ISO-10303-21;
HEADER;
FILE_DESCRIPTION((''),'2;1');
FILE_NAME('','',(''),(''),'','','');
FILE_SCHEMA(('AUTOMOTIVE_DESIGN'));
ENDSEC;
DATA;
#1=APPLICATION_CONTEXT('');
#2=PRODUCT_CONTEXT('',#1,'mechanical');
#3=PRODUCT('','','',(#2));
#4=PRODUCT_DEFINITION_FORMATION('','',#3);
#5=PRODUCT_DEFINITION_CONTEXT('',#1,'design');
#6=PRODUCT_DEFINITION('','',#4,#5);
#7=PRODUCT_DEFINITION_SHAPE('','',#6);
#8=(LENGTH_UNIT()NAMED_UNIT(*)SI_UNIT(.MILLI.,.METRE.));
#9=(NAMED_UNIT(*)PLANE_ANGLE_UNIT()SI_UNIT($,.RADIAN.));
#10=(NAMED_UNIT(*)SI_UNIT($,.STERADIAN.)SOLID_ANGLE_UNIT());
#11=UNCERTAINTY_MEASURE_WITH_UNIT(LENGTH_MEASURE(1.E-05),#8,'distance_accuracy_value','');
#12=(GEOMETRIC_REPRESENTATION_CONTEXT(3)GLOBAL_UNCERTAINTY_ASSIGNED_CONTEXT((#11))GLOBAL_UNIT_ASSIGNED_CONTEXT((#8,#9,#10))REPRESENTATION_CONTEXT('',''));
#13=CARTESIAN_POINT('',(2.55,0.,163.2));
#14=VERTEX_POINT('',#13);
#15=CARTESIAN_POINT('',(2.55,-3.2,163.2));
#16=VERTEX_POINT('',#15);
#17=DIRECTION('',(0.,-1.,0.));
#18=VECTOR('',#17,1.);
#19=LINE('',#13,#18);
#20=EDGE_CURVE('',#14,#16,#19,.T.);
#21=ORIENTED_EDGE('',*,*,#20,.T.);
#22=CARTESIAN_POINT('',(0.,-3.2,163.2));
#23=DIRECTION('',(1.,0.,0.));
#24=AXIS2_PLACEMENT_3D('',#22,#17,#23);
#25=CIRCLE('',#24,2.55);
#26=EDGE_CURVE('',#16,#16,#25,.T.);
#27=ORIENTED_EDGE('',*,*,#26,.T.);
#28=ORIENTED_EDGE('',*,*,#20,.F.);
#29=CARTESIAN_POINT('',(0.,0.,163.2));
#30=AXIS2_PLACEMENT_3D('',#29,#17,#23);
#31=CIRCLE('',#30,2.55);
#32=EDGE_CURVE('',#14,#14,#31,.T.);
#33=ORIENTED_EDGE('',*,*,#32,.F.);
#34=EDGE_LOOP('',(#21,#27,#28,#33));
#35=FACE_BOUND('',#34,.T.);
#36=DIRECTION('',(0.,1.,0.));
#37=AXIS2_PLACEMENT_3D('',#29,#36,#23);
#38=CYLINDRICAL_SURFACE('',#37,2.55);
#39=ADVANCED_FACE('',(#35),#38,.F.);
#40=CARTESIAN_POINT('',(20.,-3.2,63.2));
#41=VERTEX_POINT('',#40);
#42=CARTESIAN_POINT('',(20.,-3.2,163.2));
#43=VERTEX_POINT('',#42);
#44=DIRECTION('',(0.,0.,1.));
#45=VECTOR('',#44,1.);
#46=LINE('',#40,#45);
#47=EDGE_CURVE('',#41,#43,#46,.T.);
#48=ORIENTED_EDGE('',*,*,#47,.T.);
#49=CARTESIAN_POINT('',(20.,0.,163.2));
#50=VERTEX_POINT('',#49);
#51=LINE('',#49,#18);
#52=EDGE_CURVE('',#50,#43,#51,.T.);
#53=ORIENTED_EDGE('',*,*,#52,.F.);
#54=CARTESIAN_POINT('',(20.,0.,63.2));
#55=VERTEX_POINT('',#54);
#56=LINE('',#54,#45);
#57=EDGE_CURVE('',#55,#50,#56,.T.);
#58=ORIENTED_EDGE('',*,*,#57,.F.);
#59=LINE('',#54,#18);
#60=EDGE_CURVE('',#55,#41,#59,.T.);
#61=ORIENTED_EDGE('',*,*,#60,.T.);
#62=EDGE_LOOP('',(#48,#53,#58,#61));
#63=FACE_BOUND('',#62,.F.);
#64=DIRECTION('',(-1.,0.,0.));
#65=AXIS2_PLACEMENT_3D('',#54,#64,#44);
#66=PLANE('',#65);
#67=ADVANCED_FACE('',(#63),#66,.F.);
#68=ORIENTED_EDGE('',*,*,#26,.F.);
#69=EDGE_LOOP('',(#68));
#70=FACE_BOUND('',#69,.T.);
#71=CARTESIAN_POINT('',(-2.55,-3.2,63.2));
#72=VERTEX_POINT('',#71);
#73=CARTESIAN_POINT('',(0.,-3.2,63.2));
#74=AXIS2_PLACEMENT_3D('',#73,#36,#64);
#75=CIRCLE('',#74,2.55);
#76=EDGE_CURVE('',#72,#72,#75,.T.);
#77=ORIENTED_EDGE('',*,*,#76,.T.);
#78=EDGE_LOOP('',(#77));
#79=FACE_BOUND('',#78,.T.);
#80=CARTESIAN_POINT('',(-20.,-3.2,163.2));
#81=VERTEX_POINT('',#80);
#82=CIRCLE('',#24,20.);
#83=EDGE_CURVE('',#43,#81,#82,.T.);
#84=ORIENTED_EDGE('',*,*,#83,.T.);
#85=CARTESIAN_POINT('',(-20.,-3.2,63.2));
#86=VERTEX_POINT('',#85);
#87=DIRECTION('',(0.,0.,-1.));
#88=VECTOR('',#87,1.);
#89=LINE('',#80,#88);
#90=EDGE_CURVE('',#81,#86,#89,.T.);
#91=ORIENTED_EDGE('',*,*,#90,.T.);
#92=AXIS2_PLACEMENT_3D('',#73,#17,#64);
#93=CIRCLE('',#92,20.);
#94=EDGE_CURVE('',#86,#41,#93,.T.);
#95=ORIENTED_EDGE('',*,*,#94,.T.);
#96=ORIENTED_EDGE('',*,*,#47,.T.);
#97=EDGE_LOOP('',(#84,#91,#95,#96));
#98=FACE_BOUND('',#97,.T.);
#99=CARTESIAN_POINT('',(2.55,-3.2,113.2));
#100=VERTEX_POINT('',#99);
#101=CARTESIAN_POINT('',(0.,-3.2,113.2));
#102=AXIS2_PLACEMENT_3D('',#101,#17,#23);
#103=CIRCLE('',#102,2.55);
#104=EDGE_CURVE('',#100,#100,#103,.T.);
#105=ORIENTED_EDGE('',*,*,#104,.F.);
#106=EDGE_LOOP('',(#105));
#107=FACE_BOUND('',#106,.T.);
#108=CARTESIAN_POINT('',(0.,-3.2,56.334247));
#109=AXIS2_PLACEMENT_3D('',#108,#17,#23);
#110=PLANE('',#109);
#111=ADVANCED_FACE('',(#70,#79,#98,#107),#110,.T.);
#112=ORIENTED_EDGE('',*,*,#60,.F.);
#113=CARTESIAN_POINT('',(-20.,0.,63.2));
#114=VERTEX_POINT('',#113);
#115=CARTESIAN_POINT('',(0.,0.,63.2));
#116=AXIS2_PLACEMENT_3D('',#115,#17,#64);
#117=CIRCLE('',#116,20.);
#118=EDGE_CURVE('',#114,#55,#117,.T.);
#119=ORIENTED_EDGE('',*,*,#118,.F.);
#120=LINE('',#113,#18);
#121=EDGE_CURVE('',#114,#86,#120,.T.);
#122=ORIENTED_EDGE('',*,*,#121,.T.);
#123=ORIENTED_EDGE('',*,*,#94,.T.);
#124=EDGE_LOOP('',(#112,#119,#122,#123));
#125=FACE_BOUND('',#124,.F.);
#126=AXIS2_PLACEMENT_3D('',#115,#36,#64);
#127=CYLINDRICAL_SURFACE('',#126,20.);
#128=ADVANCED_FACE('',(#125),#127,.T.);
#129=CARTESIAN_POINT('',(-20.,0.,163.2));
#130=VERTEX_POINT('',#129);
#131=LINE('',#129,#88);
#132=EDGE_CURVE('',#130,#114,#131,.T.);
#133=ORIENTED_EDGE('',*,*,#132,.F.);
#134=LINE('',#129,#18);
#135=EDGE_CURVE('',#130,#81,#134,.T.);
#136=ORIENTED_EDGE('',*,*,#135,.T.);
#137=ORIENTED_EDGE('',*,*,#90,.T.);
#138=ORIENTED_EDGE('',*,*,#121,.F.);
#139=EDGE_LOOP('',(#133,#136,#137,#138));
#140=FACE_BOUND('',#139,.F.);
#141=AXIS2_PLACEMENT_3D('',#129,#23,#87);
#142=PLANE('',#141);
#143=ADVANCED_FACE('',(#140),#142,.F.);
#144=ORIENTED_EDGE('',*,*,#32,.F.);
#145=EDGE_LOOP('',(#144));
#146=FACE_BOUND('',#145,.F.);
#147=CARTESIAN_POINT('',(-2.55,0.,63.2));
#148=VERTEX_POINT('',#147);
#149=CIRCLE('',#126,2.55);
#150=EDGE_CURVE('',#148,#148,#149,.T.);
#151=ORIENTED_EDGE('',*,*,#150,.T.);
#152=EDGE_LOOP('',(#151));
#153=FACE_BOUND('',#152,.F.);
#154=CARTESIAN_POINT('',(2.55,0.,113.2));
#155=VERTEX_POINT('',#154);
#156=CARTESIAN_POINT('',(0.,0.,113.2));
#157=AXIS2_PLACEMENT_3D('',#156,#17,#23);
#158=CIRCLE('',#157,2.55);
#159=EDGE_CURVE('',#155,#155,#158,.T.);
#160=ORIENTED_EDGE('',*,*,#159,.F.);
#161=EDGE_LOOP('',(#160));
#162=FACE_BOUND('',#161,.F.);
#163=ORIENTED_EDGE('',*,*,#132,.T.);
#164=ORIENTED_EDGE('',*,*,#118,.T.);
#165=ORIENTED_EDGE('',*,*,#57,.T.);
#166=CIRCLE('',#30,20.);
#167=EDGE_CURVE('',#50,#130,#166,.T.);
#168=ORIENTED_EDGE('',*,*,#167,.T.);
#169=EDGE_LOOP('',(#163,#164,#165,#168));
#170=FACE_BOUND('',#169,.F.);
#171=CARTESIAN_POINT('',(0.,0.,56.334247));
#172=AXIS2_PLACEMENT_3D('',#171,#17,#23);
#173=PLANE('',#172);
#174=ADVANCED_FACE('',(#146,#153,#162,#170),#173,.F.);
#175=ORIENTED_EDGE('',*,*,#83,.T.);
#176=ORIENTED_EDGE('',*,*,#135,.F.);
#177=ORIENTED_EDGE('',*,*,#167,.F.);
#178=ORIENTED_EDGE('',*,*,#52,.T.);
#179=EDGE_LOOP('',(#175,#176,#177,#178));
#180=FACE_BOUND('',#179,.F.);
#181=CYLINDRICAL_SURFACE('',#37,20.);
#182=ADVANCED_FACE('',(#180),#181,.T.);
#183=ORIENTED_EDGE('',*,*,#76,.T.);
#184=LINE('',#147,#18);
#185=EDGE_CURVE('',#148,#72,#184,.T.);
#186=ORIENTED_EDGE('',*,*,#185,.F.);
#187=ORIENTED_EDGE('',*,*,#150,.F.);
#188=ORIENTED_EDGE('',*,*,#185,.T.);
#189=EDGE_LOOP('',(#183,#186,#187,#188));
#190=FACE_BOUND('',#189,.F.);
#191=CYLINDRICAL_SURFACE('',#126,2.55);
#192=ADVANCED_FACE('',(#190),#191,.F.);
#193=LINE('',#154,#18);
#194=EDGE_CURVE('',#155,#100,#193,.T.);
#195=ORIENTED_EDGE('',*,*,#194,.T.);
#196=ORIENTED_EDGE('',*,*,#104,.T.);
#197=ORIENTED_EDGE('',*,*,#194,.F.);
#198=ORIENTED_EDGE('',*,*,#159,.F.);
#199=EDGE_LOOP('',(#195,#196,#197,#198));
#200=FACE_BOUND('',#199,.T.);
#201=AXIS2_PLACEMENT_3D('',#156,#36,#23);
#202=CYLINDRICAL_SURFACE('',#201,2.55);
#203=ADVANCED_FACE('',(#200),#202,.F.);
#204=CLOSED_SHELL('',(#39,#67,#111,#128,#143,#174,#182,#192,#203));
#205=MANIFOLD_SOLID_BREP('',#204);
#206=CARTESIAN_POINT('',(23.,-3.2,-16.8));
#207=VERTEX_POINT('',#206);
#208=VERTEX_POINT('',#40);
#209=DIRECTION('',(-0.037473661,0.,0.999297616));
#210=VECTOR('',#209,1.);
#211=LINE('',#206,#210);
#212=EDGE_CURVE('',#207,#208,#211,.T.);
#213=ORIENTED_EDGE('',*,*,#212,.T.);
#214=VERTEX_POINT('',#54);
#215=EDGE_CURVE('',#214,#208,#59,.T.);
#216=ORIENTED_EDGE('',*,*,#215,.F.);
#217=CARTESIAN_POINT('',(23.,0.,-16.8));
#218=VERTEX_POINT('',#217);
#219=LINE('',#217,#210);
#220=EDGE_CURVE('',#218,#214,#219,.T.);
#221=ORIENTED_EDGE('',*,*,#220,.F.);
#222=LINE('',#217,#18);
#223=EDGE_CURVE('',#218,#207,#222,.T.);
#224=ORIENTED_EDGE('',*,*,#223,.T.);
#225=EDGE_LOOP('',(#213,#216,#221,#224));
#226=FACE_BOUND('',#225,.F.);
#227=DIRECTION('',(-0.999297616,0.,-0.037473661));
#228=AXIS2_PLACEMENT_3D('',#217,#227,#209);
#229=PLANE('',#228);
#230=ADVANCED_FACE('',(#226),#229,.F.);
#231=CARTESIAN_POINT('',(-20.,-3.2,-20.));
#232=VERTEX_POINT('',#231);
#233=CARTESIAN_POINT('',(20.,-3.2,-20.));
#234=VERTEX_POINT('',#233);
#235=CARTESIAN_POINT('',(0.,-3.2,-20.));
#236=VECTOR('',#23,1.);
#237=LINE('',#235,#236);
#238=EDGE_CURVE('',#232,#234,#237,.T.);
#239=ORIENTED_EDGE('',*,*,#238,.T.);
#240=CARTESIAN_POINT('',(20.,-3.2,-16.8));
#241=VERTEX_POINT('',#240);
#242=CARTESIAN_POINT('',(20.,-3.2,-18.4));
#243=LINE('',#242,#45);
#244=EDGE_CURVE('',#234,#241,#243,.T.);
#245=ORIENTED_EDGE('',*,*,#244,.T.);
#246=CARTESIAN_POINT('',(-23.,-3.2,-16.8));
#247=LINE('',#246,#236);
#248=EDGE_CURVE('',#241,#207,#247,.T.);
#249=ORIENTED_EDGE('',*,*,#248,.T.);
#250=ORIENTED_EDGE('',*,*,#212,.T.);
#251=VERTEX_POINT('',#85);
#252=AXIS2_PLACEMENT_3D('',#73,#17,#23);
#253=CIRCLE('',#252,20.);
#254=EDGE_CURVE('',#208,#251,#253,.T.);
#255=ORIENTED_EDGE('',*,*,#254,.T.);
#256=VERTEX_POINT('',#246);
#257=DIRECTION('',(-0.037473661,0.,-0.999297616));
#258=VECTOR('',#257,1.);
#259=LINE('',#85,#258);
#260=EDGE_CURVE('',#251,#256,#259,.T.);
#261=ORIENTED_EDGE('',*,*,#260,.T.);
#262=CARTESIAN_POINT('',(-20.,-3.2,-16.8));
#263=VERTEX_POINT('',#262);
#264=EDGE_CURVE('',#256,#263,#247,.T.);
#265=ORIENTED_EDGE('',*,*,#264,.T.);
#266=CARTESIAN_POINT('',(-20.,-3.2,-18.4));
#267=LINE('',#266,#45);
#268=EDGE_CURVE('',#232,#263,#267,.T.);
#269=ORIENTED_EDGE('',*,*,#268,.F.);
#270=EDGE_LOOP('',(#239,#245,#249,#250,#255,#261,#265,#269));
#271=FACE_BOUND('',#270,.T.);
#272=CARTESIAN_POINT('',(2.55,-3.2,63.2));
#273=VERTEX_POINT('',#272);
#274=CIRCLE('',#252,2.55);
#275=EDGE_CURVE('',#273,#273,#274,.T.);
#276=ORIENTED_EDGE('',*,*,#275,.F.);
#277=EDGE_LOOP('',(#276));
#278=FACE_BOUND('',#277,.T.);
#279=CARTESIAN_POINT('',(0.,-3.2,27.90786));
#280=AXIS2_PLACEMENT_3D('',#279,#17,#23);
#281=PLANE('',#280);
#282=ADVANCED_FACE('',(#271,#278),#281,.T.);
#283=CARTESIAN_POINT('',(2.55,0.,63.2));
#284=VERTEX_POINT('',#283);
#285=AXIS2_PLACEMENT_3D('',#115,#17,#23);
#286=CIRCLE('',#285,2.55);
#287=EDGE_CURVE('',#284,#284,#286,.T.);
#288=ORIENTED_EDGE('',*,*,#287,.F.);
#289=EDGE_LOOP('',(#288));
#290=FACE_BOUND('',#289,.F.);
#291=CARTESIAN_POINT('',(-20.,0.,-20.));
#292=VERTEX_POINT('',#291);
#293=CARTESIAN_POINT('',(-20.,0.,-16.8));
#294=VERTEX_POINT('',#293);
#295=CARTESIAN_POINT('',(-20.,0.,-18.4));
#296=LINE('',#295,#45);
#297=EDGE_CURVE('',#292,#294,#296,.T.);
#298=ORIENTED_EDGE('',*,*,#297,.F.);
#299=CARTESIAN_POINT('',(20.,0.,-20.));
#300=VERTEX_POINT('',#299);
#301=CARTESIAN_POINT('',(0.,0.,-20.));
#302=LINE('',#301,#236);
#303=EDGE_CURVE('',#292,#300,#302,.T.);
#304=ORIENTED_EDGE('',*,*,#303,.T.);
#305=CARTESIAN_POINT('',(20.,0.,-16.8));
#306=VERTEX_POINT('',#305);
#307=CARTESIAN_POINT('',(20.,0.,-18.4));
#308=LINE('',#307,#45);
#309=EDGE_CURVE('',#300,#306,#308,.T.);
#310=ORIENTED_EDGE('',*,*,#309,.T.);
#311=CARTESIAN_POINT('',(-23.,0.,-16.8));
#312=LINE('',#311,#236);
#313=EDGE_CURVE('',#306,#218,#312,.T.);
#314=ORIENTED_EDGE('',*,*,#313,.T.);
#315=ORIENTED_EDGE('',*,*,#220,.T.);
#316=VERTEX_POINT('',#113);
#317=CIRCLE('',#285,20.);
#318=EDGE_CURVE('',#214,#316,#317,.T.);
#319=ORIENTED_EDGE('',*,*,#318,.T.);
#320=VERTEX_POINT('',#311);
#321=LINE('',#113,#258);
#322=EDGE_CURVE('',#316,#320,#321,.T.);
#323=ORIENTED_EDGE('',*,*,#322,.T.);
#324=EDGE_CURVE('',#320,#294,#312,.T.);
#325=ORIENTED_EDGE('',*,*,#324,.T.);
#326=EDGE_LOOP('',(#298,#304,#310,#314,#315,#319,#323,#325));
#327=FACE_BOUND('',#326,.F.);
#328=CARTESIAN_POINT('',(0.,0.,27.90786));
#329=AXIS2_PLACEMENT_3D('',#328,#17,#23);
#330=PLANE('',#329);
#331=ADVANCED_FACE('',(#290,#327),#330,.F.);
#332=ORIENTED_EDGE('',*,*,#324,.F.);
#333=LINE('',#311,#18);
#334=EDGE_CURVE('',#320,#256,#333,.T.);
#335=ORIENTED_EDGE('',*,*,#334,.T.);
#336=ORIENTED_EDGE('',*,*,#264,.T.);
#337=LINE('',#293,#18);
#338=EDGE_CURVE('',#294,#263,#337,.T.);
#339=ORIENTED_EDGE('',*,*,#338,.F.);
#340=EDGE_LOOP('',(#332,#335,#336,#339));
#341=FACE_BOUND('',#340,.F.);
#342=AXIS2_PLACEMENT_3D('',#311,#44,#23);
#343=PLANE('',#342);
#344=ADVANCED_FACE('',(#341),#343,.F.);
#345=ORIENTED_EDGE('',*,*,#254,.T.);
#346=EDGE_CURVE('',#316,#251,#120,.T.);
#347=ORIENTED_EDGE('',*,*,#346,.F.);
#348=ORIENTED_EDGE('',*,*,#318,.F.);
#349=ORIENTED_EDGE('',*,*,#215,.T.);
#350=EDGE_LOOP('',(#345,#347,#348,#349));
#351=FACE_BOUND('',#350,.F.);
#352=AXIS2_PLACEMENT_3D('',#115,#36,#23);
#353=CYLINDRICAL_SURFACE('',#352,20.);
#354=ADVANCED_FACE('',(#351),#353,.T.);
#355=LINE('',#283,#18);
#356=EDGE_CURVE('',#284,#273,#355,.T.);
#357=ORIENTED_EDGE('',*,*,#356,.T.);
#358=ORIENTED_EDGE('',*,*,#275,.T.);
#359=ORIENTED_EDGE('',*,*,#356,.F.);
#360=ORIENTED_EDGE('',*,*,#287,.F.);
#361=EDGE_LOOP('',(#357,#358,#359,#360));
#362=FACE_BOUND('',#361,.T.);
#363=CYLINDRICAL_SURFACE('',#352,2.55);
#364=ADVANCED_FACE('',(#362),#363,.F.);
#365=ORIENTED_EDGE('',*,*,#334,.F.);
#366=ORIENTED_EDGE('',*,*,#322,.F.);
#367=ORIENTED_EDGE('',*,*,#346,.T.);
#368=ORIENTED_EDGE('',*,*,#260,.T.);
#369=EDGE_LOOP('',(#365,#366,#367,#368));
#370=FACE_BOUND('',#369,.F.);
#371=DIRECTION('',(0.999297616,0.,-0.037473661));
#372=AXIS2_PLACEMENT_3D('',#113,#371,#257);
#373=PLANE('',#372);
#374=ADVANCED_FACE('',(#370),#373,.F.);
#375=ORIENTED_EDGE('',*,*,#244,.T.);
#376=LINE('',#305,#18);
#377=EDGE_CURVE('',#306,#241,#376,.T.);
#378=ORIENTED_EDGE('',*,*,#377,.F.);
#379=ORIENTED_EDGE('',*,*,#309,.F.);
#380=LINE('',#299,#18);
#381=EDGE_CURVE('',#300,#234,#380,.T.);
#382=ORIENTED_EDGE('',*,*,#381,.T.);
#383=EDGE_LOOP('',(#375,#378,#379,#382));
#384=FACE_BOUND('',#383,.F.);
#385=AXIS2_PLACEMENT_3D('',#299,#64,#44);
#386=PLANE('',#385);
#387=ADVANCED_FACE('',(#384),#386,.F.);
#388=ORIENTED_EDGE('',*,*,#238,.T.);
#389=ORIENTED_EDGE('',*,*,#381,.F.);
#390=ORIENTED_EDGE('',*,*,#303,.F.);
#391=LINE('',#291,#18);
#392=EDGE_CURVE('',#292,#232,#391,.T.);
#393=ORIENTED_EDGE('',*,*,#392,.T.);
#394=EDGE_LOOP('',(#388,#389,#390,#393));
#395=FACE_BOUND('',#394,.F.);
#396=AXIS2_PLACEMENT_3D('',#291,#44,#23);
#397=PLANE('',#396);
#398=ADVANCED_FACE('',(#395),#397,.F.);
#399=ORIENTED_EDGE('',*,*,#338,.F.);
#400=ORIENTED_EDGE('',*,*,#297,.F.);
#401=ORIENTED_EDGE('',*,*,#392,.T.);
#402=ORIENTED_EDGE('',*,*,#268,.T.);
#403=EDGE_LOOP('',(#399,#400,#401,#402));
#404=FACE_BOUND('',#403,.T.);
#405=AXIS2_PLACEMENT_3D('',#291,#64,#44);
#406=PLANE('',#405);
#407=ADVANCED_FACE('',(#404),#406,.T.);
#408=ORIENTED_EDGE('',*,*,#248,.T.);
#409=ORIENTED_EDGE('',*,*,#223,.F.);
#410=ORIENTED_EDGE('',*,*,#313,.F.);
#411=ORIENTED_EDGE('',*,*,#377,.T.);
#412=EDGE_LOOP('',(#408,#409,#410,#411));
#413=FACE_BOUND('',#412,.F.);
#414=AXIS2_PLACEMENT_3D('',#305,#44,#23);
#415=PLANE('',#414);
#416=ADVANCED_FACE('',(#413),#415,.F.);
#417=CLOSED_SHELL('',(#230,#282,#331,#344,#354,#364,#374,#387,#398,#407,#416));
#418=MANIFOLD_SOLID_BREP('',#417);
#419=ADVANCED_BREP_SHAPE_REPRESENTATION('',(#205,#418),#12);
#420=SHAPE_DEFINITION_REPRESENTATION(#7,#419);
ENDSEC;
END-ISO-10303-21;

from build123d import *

# Parameters (mm, degrees)
F0_R     = 2.55
F0_W     = 40
F0_H     = 3.2
F1_DEPTH = 3.2
F2_R     = 2.55
F3_DEPTH = 3.2


with BuildPart() as f1:
    # F0 (on Front) → F1 (new body)
    with BuildSketch(Plane.XZ):
        with BuildLine():
            Line((-23, -16.8), (-20, -16.8))
            Line((-20, -16.8), (20, -16.8))
            Line((20, -16.8), (23, -16.8))
            Line((23, -16.8), (20, 63.2))
            ThreePointArc((20, 63.2), (0, 83.2), (-20, 63.2))
            Line((-20, 63.2), (-23, -16.8))
        make_face()
        with Locations((0, 63.2)):
            Circle(F0_R, mode=Mode.SUBTRACT)
        with Locations((0, -18.4)):
            Rectangle(F0_W, F0_H)
    extrude(amount=F1_DEPTH)


with BuildPart() as f3:
    # F2 (on Front) → F3 (new body)
    with BuildSketch(Plane.XZ):
        with BuildLine():
            Line((20, 63.2), (2.55, 63.2))
            ThreePointArc((2.55, 63.2), (0, 60.65), (-2.55, 63.2))
            Line((-2.55, 63.2), (-20, 63.2))
            ThreePointArc((-20, 63.2), (0, 43.2), (20, 63.2))
        make_face()
        with BuildLine():
            ThreePointArc((-2.55, 63.2), (0, 65.75), (2.55, 63.2))
            Line((2.55, 63.2), (20, 63.2))
            Line((20, 63.2), (20, 163.2))
            ThreePointArc((20, 163.2), (0, 183.2), (-20, 163.2))
            Line((-20, 163.2), (-20, 63.2))
            Line((-20, 63.2), (-2.55, 63.2))
        make_face()
        with Locations((0, 113.2)):
            Circle(F2_R, mode=Mode.SUBTRACT)
        with Locations((0, 163.2)):
            Circle(F2_R, mode=Mode.SUBTRACT)
    extrude(amount=F3_DEPTH)


solid = Compound([f1.part, f3.part])
